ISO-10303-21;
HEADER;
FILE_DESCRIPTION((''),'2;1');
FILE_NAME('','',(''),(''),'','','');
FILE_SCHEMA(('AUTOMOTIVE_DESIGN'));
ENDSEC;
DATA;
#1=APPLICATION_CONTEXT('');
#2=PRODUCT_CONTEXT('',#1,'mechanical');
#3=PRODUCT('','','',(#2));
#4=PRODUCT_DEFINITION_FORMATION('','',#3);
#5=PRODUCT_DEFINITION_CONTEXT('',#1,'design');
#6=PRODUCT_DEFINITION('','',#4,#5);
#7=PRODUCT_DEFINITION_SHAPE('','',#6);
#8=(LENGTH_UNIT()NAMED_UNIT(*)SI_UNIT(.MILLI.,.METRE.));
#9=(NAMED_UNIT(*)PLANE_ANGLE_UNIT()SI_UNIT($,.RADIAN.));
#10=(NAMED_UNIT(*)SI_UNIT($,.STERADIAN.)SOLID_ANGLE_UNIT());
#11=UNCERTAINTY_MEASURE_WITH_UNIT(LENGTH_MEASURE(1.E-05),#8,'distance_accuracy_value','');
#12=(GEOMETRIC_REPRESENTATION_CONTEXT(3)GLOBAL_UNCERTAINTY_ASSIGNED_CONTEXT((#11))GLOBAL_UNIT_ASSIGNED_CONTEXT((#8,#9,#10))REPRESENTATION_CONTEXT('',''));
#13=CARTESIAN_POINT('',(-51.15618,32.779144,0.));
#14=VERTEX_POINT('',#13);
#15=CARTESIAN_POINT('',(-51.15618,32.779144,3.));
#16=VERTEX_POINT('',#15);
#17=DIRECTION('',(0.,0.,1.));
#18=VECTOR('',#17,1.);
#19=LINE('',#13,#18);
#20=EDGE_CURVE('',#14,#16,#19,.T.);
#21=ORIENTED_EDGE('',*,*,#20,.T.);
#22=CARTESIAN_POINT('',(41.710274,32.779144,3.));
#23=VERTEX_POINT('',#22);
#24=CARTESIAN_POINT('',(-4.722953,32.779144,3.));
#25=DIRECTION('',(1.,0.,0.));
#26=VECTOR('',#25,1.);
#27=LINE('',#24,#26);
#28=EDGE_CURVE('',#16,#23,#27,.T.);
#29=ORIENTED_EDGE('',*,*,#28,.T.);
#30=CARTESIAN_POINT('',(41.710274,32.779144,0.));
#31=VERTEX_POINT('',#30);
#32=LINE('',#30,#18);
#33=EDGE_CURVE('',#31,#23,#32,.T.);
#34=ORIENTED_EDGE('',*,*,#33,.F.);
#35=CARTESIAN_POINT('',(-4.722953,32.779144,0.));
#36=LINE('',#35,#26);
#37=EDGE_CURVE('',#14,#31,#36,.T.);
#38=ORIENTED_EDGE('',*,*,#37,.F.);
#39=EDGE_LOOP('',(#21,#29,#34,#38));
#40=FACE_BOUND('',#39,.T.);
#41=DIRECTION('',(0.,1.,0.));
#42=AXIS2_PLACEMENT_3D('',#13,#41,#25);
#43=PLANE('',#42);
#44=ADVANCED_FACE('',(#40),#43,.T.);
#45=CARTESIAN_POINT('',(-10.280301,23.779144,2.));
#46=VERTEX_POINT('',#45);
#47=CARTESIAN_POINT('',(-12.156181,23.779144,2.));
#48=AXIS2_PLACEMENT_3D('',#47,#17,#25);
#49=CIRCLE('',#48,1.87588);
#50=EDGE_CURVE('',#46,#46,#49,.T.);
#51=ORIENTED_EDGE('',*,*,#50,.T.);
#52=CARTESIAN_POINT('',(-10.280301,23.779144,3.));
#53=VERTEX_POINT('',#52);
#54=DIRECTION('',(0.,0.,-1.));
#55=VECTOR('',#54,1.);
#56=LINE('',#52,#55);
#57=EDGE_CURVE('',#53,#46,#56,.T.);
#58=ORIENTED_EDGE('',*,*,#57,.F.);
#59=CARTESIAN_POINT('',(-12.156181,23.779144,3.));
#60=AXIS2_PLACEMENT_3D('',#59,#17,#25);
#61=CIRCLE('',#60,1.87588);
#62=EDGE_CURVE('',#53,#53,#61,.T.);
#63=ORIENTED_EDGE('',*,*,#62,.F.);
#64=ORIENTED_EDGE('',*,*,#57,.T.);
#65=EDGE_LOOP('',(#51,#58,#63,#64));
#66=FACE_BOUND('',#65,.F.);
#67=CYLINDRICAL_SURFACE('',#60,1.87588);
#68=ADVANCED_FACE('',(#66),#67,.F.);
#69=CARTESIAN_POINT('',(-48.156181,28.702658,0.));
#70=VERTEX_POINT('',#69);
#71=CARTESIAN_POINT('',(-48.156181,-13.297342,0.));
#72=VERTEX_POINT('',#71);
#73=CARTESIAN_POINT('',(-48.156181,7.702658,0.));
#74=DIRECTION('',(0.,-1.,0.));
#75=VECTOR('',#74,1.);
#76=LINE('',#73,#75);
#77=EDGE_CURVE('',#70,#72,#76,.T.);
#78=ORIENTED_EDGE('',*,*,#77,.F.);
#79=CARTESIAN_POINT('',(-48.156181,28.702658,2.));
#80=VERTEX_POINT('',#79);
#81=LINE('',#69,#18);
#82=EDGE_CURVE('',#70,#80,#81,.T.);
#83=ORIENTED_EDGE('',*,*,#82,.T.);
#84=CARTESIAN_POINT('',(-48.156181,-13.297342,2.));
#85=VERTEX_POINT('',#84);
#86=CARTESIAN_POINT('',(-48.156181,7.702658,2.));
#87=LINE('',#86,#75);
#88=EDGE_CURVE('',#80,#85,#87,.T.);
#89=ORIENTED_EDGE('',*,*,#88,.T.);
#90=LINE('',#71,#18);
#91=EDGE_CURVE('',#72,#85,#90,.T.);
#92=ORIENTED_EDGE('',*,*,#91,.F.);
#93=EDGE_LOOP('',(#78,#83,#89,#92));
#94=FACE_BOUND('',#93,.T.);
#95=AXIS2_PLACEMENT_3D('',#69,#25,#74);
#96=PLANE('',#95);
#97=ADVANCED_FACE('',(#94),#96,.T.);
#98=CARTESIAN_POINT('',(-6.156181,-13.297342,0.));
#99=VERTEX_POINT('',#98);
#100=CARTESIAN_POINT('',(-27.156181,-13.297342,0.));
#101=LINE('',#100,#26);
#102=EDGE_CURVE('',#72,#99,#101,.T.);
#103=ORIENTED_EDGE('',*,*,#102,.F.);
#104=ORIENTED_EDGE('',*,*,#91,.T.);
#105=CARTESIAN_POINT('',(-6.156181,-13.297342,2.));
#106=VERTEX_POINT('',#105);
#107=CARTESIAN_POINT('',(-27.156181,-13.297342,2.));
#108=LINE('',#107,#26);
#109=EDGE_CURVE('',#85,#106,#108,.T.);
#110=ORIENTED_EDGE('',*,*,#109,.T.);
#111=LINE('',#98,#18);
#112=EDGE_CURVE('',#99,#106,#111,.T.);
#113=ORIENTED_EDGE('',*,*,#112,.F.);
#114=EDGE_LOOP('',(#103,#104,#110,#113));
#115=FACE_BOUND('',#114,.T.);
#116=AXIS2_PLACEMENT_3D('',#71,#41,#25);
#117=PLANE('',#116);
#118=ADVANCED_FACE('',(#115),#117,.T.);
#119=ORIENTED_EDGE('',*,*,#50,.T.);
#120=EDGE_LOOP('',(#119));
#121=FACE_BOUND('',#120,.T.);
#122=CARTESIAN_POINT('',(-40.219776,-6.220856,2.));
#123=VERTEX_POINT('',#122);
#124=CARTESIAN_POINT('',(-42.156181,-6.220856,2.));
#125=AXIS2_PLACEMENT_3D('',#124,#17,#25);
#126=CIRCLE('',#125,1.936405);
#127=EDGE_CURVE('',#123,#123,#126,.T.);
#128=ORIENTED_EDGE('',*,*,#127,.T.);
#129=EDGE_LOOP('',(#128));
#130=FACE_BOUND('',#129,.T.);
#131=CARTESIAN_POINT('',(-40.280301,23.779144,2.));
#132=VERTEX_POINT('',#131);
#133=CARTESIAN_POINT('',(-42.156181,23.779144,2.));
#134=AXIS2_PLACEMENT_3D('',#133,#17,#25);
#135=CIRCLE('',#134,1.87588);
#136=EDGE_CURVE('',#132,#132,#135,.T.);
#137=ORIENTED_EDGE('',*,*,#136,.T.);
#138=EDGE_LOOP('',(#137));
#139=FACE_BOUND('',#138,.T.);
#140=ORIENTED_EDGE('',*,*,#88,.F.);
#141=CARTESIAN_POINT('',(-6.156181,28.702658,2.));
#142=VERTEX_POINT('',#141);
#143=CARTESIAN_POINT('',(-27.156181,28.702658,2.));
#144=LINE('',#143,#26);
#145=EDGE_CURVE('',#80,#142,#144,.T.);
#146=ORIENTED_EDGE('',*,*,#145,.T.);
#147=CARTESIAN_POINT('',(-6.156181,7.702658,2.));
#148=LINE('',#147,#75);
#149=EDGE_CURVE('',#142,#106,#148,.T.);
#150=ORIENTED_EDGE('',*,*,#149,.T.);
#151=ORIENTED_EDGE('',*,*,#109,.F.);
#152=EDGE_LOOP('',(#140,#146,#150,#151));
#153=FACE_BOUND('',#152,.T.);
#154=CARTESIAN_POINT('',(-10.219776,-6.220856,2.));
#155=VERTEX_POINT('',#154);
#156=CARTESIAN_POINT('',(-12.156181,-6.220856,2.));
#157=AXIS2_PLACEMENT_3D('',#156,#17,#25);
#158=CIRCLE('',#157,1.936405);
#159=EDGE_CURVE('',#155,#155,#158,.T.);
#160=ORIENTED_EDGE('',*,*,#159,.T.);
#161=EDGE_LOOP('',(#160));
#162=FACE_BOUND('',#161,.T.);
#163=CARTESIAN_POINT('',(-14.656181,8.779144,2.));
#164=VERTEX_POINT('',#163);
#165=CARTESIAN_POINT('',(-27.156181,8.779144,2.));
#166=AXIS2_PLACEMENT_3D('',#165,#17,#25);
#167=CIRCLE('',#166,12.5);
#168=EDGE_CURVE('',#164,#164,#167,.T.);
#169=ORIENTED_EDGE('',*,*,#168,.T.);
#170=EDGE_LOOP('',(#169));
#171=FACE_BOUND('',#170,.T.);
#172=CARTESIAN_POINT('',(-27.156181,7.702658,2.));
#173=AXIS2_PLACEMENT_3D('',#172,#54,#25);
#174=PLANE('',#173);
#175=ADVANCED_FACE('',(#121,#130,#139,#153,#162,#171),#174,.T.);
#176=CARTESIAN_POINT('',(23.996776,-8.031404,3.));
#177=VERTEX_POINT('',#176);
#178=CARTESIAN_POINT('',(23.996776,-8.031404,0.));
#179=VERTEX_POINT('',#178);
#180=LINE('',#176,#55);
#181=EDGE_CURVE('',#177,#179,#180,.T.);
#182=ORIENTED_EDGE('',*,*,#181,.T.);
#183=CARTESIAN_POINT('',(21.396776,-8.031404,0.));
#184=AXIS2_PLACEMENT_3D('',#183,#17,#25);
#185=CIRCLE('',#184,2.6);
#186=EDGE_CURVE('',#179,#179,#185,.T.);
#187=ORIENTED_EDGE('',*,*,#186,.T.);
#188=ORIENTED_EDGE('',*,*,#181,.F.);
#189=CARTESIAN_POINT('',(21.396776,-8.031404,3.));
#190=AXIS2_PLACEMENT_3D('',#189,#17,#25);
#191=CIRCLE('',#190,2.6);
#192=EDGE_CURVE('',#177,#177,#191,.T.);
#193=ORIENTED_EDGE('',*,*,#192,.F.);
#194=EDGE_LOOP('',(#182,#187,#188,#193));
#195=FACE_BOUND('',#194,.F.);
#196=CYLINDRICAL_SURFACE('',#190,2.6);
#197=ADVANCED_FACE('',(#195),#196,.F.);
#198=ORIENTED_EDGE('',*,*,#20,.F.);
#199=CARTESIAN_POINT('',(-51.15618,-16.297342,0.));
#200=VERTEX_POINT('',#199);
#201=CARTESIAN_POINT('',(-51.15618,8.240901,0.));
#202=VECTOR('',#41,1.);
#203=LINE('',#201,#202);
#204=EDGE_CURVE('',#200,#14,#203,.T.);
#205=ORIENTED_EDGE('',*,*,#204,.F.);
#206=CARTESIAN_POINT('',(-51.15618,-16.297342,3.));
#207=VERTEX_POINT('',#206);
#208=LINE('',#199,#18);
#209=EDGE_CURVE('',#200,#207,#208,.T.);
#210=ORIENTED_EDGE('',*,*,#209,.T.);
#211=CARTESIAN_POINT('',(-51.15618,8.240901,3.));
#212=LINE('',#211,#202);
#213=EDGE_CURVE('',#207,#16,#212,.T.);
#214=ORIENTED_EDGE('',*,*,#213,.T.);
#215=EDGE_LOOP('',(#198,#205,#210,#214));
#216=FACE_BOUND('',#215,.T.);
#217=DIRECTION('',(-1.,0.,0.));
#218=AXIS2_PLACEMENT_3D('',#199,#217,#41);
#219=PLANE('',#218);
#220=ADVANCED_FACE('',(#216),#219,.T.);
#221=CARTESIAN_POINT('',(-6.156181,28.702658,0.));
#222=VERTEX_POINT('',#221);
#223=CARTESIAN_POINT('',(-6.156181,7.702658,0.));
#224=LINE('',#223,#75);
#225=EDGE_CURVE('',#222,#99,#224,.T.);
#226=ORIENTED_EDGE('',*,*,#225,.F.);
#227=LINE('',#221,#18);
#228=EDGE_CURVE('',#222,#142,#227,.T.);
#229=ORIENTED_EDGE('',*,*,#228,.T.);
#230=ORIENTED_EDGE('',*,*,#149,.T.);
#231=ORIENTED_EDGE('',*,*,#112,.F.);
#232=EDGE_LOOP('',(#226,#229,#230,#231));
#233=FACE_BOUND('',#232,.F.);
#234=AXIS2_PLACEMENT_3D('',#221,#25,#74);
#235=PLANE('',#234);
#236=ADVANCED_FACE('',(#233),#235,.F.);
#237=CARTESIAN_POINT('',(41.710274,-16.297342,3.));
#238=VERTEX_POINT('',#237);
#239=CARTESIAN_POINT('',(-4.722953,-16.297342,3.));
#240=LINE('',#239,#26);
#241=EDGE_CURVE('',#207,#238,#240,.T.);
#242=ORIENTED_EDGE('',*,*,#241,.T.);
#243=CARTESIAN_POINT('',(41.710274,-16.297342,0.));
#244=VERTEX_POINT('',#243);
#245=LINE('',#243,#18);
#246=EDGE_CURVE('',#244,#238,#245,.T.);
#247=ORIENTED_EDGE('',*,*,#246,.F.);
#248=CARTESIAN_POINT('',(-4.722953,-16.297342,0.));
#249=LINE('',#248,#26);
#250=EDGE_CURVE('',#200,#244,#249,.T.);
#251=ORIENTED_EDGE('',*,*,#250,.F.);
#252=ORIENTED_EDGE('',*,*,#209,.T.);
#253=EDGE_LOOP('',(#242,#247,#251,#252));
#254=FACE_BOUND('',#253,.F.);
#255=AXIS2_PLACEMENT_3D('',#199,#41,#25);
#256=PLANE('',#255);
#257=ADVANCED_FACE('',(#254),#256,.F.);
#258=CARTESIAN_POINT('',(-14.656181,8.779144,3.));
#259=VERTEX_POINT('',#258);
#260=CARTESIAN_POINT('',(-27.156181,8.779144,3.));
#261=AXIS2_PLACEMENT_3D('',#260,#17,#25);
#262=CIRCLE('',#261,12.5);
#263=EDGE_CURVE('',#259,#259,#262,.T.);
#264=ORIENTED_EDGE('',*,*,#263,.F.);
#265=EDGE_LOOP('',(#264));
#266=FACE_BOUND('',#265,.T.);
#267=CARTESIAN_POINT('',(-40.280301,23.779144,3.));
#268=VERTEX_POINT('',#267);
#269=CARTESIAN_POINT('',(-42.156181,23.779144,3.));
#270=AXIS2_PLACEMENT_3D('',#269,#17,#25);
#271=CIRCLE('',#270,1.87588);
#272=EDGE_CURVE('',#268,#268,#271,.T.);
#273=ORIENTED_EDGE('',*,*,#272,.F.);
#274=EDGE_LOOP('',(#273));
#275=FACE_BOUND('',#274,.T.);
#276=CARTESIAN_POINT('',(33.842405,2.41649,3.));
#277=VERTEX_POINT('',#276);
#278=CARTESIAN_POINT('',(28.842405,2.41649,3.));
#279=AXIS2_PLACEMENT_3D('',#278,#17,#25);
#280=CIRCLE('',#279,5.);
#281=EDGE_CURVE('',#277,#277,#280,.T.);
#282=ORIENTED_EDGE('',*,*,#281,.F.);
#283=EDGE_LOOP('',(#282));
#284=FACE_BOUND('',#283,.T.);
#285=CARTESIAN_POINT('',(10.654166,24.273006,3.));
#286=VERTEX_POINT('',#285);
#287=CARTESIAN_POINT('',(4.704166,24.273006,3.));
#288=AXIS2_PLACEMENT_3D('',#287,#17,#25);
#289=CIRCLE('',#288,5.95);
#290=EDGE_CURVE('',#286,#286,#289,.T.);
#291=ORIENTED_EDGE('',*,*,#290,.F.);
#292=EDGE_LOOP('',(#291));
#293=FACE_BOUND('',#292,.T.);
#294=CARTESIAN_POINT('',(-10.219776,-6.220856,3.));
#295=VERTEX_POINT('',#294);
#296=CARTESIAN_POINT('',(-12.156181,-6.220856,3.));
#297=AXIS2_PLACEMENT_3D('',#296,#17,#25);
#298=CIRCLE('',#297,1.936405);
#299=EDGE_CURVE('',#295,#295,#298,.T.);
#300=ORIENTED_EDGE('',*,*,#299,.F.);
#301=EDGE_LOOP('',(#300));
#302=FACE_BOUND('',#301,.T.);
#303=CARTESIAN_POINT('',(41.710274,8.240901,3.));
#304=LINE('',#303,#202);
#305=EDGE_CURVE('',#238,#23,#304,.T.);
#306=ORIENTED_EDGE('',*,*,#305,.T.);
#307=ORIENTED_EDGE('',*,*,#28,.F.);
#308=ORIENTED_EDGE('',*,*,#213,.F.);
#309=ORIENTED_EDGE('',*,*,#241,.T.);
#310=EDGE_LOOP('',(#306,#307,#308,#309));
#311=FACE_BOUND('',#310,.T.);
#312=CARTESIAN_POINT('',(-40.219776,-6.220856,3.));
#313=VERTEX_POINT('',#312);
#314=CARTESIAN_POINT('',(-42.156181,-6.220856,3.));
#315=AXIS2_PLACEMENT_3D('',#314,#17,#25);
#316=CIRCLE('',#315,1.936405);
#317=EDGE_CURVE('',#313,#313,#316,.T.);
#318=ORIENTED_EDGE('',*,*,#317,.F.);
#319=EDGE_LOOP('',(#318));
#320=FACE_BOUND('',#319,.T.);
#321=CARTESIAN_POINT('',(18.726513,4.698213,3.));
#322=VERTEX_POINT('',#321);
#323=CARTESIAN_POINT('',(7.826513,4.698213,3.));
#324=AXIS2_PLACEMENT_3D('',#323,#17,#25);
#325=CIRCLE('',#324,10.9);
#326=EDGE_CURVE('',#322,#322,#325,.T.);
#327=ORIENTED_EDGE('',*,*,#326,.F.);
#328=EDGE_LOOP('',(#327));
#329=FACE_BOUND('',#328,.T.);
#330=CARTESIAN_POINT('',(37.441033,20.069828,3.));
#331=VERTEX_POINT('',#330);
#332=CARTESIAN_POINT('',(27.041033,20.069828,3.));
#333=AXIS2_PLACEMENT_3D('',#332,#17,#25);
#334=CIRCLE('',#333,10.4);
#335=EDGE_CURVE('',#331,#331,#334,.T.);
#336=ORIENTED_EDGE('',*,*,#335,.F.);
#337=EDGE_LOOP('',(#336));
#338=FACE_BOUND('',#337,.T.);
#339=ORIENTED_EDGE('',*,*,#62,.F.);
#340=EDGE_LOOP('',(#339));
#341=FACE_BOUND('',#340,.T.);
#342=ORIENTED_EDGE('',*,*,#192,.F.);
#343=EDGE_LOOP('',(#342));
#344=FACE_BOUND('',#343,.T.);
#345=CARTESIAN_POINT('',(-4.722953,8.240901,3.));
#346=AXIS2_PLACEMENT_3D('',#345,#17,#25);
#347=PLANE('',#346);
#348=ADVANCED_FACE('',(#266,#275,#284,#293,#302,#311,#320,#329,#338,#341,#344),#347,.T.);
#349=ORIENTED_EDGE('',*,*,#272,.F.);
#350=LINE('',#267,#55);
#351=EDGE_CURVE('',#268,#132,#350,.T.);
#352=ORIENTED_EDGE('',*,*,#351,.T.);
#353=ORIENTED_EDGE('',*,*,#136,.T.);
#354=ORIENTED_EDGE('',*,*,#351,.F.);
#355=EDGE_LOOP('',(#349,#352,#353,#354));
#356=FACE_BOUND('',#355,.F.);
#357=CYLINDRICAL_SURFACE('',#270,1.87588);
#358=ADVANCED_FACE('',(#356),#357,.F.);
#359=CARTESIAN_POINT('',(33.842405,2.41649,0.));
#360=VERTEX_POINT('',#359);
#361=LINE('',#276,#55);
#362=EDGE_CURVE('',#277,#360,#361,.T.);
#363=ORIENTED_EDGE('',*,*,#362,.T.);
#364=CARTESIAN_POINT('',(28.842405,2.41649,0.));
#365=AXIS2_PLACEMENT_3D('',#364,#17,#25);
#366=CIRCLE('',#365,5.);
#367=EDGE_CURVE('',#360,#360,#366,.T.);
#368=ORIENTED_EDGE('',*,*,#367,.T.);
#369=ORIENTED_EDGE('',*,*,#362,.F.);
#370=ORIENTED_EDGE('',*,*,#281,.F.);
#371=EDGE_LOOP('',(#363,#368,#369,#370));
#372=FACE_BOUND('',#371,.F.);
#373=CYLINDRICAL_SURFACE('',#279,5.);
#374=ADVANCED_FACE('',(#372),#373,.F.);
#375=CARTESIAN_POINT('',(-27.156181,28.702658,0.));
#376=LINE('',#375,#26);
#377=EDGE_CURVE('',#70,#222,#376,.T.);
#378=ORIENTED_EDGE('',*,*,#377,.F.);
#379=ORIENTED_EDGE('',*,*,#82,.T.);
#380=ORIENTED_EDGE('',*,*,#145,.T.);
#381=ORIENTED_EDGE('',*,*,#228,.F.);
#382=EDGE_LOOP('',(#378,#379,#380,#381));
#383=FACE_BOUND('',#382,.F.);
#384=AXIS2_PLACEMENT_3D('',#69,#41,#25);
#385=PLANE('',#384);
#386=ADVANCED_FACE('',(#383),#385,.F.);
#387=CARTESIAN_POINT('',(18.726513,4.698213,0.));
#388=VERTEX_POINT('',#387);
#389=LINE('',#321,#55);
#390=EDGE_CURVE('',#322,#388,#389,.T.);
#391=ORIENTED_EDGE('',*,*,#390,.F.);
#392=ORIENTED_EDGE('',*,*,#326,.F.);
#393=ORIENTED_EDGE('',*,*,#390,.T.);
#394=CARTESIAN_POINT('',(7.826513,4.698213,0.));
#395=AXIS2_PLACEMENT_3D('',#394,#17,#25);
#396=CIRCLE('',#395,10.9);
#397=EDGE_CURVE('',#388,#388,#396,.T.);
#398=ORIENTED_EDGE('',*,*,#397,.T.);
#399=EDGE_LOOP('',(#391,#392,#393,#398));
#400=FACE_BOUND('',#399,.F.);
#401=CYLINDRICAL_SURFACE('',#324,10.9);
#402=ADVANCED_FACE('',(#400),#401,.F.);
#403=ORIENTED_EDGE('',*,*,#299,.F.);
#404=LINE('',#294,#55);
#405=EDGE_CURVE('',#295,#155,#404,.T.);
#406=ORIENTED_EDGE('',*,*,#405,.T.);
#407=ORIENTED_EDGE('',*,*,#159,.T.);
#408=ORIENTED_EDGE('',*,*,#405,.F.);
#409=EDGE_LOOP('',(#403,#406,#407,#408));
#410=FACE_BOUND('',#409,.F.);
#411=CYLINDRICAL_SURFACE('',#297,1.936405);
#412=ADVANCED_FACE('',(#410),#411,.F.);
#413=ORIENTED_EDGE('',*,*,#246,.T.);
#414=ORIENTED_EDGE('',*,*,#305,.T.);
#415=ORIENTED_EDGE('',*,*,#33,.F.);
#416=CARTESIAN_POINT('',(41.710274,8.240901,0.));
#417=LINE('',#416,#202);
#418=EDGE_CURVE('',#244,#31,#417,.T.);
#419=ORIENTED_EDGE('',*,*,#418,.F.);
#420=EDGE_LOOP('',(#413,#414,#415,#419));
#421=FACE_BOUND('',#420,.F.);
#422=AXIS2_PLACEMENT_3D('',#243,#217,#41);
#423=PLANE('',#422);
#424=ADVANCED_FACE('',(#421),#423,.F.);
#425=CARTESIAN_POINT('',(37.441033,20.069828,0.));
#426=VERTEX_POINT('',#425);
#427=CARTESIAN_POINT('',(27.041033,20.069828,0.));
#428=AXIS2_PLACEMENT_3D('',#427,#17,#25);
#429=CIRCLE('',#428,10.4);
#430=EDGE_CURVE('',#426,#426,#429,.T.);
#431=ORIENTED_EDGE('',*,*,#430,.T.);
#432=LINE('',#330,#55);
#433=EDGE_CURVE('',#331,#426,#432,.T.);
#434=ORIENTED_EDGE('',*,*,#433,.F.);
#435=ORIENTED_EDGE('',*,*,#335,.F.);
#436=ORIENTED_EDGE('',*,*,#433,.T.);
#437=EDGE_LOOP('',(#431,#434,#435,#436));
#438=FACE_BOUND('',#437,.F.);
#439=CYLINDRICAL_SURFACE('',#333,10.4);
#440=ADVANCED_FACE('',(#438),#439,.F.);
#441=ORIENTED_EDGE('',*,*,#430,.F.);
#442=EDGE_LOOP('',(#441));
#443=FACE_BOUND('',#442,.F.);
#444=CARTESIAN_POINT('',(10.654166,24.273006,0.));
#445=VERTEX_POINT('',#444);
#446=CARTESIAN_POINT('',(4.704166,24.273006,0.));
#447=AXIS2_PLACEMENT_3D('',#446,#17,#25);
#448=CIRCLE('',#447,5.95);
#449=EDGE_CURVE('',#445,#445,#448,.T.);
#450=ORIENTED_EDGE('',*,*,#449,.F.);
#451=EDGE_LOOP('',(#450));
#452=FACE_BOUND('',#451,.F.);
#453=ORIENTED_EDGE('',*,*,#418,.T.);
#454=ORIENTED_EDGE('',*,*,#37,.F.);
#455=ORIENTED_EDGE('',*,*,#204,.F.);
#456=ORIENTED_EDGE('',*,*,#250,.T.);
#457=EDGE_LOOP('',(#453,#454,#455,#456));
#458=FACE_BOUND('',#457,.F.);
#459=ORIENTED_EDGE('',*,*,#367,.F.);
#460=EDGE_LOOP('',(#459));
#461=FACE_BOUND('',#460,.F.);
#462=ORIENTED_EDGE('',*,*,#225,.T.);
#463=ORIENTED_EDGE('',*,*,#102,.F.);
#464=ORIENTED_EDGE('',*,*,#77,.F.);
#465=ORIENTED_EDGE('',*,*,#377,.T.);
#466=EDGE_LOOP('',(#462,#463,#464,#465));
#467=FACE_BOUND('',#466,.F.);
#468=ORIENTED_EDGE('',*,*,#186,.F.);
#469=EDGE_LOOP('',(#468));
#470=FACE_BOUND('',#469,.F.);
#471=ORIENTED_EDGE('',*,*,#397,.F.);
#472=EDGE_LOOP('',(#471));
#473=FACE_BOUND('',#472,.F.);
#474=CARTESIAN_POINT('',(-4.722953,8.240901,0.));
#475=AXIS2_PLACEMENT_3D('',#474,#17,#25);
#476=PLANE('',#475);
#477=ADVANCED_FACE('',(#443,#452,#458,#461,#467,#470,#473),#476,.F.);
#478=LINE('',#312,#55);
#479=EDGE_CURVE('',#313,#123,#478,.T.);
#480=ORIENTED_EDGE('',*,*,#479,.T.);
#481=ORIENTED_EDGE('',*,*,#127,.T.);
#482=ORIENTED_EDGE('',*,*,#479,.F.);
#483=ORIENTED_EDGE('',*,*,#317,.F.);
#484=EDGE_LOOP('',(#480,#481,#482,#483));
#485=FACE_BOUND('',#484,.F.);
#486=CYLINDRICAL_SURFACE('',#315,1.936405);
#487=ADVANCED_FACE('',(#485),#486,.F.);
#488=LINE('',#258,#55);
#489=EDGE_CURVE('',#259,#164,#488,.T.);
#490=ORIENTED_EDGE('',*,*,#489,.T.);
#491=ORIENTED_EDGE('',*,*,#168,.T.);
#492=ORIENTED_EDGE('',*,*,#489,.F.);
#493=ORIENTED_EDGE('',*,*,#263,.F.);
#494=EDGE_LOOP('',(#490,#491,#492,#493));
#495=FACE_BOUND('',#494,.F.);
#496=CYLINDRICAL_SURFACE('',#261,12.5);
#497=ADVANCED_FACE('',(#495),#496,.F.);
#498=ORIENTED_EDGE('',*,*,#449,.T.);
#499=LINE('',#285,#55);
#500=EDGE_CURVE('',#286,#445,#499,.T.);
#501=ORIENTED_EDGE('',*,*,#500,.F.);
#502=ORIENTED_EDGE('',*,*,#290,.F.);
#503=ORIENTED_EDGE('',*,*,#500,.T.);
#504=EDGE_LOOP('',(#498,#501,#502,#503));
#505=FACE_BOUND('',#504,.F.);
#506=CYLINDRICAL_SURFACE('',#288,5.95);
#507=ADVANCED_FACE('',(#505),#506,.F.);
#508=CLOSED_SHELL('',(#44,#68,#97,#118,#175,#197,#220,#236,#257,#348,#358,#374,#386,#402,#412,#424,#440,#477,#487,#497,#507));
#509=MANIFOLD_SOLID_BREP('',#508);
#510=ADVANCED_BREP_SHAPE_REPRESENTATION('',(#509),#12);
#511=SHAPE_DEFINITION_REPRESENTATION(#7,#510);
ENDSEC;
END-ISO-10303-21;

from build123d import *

# Parameters (mm, degrees)
SKETCH_W        = 92.866455
SKETCH_H        = 49.076486
PAD_DEPTH       = 3
SKETCH001_R     = 1.87588
SKETCH001_R_2   = 1.936405
SKETCH001_R_3   = 12.5
SKETCH001_R_4   = 5.95
SKETCH001_R_5   = 5
SKETCH001_R_6   = 10.4
SKETCH001_R_7   = 10.9
SKETCH001_R_8   = 2.6
POCKET_DEPTH    = 5
SKETCH002_W     = 42
SKETCH002_H     = 42
POCKET001_DEPTH = 2


with BuildPart() as part:
    # Sketch → Pad (new body)
    with BuildSketch(Plane.XY):
        with Locations((-4.722953, 8.240901)):
            Rectangle(SKETCH_W, SKETCH_H)
    extrude(amount=PAD_DEPTH)

    # Sketch001 (on Face6 of Pad) → Pocket (cut)
    with BuildSketch(Plane.XY.offset(3)):
        with Locations((-42.156181, 23.779144)):
            Circle(SKETCH001_R)
        with Locations((-12.156181, 23.779144)):
            Circle(SKETCH001_R)
        with Locations((-12.156181, -6.220856)):
            Circle(SKETCH001_R_2)
        with Locations((-42.156181, -6.220856)):
            Circle(SKETCH001_R_2)
        with Locations((-27.156181, 8.779144)):
            Circle(SKETCH001_R_3)
        with Locations((4.704166, 24.273006)):
            Circle(SKETCH001_R_4)
        with Locations((28.842405, 2.41649)):
            Circle(SKETCH001_R_5)
        with Locations((27.041033, 20.069828)):
            Circle(SKETCH001_R_6)
        with Locations((7.826513, 4.698213)):
            Circle(SKETCH001_R_7)
        with Locations((21.396776, -8.031404)):
            Circle(SKETCH001_R_8)
    extrude(amount=-POCKET_DEPTH, mode=Mode.SUBTRACT)

    # Sketch002 (on Face4 of Pocket) → Pocket001 (cut)
    with BuildSketch(Plane(origin=(0, 0, 0), x_dir=(1, 0, 0), z_dir=(0, 0, -1))):
        with Locations((-27.156181, -7.702658)):
            Rectangle(SKETCH002_W, SKETCH002_H)
    extrude(amount=-POCKET001_DEPTH, mode=Mode.SUBTRACT)


solid = part.part
